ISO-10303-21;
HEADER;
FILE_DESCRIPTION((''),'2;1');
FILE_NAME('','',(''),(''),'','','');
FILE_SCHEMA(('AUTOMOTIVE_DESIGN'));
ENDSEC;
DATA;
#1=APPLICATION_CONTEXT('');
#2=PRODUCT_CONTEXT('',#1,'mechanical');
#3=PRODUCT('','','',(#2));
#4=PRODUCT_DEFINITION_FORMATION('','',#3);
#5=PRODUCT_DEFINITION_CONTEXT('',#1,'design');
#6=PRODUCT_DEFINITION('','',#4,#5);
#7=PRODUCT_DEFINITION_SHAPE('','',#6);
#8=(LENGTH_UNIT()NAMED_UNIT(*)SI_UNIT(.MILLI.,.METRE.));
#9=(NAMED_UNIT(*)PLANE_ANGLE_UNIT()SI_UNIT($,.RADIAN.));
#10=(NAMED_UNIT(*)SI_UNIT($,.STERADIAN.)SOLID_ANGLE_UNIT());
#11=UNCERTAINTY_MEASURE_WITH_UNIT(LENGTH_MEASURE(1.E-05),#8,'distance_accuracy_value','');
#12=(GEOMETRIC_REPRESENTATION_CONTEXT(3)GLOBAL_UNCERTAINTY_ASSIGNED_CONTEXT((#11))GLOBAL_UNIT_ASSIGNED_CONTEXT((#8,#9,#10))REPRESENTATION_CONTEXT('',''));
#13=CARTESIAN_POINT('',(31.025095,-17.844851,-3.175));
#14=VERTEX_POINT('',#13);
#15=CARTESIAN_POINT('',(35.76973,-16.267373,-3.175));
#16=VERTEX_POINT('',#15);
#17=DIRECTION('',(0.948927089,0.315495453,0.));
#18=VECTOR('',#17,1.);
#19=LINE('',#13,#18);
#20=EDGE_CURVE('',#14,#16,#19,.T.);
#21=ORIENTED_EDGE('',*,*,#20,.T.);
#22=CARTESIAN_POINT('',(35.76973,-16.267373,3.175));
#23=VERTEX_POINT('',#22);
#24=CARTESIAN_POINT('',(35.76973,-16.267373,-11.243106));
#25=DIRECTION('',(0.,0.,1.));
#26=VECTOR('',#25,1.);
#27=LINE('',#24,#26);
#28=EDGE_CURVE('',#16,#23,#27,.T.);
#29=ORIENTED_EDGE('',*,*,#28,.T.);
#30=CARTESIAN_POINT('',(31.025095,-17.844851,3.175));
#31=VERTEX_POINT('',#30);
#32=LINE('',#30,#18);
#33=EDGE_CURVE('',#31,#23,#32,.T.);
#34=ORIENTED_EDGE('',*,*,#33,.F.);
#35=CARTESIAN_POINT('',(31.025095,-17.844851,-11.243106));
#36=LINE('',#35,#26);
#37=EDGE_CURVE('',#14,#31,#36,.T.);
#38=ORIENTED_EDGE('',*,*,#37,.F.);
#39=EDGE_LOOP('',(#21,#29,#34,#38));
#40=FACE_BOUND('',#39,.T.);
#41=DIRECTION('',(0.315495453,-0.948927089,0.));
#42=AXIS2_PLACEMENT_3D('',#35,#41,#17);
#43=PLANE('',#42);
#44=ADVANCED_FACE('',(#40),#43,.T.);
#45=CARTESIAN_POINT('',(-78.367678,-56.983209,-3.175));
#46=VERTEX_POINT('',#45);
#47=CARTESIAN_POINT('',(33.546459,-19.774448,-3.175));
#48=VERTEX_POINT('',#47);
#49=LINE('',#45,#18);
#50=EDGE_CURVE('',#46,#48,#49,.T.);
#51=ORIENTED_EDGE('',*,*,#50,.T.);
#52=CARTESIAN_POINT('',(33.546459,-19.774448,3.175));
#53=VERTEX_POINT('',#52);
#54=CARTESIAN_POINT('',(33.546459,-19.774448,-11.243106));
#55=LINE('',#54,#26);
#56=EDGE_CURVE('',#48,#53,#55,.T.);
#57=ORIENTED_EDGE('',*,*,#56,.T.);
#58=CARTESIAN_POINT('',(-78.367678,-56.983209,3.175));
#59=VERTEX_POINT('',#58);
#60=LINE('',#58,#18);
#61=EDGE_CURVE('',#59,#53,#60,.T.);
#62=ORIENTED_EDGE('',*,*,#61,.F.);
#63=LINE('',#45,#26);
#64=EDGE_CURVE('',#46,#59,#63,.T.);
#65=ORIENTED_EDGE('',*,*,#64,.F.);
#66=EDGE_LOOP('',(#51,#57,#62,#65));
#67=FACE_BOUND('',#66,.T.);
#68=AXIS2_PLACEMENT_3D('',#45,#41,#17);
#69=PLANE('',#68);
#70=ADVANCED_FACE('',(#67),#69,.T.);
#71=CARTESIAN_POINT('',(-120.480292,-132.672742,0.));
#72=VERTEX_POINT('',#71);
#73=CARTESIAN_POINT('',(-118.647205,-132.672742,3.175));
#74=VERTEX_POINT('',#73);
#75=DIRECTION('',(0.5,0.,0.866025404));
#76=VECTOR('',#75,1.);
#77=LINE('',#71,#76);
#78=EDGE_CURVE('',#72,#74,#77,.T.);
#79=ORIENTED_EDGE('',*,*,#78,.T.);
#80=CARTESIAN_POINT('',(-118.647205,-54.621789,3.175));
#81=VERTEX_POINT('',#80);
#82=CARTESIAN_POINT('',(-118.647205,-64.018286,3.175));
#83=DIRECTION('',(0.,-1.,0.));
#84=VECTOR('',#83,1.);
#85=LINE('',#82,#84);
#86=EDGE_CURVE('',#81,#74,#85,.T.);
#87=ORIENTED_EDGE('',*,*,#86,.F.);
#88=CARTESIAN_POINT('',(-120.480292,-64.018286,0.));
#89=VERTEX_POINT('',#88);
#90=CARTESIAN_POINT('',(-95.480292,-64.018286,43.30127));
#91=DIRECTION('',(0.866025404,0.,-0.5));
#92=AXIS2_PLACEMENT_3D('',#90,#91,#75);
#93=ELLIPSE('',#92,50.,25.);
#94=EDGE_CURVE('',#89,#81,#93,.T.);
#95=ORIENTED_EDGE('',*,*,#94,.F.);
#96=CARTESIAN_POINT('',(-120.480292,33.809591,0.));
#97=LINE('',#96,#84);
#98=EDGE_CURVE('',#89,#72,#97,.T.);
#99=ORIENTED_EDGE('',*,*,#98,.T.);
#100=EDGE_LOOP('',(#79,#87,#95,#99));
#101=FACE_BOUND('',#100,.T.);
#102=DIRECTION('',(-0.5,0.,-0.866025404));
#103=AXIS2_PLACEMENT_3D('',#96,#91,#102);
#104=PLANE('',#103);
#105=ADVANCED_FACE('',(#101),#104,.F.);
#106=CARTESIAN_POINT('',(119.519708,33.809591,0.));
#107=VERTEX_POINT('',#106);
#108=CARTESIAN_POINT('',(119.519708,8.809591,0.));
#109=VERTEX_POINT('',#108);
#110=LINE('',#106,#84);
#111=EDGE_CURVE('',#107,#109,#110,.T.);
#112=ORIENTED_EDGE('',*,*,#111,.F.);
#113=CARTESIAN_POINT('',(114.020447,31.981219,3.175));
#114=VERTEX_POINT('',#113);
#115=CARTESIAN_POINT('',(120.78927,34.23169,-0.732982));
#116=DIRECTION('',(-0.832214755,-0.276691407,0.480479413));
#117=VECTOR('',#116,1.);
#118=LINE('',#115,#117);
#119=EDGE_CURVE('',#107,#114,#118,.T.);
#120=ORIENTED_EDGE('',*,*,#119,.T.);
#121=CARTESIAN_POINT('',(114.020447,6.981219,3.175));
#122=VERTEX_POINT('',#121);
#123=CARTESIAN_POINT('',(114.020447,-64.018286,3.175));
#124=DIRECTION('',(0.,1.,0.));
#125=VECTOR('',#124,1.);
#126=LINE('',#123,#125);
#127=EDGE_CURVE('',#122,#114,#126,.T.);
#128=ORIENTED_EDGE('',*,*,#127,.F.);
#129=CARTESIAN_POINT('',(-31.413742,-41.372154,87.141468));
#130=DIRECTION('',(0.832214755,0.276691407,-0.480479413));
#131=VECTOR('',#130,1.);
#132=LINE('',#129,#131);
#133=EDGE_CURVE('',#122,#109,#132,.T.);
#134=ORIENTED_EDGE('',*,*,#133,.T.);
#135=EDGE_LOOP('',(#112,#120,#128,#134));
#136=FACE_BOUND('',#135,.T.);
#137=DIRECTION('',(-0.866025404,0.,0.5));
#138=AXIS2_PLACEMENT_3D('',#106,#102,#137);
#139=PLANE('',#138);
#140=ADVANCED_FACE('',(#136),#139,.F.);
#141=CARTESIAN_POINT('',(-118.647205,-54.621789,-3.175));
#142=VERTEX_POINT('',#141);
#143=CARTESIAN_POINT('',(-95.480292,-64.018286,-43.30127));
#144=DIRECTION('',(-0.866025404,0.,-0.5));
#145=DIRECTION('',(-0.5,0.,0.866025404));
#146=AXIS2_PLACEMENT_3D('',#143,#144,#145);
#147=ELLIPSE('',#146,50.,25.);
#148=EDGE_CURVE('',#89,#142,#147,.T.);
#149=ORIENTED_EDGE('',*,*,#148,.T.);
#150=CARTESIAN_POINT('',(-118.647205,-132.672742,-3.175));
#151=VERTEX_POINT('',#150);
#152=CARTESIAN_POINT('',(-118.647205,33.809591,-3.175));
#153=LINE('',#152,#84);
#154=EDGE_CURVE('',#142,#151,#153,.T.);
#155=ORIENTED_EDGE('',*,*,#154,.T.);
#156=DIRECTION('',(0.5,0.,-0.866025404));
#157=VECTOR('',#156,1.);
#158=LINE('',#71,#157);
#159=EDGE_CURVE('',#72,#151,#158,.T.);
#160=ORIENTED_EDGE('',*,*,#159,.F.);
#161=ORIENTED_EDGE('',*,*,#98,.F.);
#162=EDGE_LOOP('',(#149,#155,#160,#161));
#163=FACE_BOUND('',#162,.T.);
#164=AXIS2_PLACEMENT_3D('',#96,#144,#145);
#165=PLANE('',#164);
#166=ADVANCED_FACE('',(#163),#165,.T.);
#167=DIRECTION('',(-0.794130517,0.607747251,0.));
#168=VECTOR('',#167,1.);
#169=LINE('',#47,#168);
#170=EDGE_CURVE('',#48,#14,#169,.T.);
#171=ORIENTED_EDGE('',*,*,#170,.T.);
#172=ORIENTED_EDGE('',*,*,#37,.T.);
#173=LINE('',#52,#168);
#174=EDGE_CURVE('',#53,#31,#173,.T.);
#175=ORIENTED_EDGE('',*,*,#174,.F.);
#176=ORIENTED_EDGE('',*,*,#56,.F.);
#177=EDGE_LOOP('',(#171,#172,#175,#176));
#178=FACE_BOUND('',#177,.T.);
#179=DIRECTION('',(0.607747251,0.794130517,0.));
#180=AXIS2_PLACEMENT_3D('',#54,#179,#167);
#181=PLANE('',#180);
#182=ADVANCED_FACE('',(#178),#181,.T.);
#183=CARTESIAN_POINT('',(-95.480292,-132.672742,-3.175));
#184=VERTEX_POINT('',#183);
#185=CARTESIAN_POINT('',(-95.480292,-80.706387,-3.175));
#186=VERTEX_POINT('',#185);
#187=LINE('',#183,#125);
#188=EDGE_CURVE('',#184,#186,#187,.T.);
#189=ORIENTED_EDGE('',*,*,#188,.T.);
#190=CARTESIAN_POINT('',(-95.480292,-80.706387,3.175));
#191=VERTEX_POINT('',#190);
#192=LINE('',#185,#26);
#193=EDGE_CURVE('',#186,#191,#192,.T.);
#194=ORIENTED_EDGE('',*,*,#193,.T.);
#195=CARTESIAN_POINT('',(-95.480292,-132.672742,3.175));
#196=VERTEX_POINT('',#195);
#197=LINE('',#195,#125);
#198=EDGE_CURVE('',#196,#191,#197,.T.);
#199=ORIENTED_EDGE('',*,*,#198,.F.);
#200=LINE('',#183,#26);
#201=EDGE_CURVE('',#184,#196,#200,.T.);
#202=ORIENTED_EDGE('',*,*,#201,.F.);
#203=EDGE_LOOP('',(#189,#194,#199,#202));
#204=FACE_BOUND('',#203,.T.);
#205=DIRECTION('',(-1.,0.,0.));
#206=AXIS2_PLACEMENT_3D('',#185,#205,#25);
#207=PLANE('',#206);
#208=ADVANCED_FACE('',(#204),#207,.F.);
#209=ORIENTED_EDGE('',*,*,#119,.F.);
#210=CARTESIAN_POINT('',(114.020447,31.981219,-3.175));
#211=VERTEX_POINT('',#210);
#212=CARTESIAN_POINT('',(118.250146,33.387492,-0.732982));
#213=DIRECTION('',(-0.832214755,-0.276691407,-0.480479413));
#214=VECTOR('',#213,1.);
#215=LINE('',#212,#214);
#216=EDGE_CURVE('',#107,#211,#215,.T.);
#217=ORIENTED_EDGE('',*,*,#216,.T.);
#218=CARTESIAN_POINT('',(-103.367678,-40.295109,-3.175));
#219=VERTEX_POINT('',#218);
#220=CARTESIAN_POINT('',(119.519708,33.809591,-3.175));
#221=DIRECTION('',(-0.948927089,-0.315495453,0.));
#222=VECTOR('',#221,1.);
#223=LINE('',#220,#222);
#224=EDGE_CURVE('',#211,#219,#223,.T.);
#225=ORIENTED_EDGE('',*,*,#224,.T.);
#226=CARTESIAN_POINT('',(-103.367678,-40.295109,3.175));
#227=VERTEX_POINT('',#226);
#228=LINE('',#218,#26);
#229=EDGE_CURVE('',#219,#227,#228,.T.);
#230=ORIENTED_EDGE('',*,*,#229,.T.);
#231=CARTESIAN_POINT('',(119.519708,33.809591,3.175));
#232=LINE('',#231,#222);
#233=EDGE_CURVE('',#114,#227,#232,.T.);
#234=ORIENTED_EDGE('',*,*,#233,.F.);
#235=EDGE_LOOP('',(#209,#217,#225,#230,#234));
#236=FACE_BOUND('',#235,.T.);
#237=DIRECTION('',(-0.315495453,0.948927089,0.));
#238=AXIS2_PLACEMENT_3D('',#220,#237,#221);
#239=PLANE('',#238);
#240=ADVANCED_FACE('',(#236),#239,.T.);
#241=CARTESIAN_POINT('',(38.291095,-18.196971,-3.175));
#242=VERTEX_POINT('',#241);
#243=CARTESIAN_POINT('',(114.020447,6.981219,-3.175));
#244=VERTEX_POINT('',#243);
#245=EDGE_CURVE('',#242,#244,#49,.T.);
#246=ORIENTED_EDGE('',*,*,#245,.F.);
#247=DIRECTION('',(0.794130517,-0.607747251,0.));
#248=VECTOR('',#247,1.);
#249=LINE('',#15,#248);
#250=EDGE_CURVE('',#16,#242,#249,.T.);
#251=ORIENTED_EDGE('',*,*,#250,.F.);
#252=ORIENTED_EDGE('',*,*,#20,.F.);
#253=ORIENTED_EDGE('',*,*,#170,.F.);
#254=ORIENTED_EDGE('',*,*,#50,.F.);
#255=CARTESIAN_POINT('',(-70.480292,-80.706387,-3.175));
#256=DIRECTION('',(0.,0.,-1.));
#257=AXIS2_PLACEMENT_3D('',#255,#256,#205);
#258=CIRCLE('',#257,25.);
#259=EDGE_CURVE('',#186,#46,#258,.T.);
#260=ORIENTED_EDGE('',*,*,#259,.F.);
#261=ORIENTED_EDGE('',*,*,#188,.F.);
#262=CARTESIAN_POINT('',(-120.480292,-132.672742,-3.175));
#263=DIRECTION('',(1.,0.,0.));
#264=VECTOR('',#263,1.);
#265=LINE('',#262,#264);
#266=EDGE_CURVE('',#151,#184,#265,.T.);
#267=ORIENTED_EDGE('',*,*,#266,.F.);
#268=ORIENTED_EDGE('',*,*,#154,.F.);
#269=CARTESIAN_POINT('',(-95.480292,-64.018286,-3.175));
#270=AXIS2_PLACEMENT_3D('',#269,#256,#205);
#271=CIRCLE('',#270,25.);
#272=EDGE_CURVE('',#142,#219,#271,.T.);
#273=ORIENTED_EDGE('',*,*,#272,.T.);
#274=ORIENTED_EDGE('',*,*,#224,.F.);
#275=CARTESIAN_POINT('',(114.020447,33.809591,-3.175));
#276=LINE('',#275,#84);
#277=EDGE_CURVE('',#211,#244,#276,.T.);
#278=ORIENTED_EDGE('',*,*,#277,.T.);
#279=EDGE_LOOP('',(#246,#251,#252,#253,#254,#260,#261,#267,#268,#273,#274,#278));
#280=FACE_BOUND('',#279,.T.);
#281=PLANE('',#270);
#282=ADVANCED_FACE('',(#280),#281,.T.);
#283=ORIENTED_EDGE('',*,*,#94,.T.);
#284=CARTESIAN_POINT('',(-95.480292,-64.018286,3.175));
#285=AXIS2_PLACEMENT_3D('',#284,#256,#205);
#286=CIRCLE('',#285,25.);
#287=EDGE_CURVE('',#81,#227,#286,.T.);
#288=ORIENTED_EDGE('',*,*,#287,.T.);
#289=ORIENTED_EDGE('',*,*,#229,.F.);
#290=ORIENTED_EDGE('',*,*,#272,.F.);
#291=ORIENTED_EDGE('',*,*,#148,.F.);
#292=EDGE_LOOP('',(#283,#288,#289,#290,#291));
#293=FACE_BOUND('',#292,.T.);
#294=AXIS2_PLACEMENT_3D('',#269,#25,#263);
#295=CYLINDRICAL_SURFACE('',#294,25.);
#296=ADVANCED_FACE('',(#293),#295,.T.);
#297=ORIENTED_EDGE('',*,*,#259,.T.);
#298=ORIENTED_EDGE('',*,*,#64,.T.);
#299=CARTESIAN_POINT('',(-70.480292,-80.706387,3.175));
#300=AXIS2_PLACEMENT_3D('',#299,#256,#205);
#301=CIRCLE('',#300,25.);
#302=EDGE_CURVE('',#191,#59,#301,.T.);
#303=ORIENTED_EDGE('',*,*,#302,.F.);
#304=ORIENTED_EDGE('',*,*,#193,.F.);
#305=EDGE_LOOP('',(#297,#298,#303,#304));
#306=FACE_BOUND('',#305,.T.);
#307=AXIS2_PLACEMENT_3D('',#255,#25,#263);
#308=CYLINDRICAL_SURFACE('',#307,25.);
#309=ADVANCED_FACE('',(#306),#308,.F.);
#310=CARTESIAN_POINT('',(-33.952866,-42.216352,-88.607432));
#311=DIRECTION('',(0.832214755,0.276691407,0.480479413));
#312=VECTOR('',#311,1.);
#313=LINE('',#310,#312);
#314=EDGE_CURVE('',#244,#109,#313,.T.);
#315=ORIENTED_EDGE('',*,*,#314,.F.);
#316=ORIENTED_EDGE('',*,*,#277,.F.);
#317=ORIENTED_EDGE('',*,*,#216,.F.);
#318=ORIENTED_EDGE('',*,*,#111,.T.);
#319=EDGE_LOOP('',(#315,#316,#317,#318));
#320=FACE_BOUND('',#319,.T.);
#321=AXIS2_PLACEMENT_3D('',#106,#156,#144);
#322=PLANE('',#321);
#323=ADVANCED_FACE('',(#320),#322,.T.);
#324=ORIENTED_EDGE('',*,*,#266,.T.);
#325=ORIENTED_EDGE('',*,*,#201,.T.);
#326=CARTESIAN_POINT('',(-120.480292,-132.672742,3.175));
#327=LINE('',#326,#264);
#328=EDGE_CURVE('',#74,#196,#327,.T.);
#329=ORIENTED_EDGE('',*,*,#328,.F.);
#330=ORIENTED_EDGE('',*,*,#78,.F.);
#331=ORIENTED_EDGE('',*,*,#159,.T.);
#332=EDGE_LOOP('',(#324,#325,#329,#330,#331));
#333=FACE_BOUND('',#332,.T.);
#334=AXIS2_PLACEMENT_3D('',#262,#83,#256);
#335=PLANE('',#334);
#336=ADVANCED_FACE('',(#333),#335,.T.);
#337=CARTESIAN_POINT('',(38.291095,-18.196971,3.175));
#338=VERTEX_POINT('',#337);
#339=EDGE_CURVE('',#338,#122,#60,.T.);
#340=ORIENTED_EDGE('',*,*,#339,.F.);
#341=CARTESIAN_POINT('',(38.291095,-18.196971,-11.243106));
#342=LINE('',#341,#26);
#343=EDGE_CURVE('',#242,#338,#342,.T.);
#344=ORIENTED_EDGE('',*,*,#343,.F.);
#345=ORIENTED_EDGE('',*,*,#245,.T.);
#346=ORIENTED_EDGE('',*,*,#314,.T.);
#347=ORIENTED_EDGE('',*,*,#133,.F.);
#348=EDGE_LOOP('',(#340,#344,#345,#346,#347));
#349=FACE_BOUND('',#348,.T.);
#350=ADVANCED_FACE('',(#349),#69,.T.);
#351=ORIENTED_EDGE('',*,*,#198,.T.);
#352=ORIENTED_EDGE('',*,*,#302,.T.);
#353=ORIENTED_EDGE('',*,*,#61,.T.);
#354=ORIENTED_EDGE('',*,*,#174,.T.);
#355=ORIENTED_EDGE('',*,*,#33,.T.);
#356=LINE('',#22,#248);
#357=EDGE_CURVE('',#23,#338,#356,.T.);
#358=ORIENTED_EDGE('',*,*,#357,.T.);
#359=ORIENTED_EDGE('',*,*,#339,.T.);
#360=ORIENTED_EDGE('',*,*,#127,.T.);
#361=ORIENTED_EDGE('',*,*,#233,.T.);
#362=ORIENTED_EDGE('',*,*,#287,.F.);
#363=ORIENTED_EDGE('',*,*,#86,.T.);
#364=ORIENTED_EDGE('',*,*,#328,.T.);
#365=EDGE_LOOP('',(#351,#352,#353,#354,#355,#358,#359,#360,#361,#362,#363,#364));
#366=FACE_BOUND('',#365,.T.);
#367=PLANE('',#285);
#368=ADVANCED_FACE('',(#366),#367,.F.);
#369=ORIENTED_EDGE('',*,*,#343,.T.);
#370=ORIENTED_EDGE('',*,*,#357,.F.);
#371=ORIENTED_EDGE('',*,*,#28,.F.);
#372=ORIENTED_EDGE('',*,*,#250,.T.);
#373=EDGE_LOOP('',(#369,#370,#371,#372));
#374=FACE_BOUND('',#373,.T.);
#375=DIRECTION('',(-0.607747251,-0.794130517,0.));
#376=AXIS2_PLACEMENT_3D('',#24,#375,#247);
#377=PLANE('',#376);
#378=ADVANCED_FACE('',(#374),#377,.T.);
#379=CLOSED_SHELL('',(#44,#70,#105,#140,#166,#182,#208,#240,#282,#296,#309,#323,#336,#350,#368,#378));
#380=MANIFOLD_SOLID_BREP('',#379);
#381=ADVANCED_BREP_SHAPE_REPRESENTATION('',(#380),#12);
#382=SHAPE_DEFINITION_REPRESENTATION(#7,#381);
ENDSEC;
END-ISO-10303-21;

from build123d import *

# Parameters (mm, degrees)
BOSS_EXTRUDE1_DEPTH      = 3.175
BOSS_EXTRUDE1_DEPTH_BACK = 3.175
CUT_EXTRUDE3_DEPTH       = 206.528461822
CUT_EXTRUDE5_DEPTH       = 206.528461822
CUT_EXTRUDE6_DEPTH       = 6.35


with BuildPart() as part:
    # Sketch1 → Boss-Extrude1 (new, two sides: drawn at the far end of the back side and taken through both)
    with BuildSketch(Plane.XY.offset(-BOSS_EXTRUDE1_DEPTH_BACK)):
        with BuildLine():
            Line((-95.480291898, -80.706386575), (-95.480291898, -131.085242165))
            Line((-95.480291898, -131.085242165), (-95.480291898, -132.672742165))
            Line((-95.480291898, -132.672742165), (-120.480291898, -132.672742165))
            Line((-120.480291898, -132.672742165), (-120.480291898, -131.085242165))
            Line((-120.480291898, -131.085242165), (-120.480291898, -64.018285781))
            ThreePointArc((-120.480291898, -64.018285781), (-115.755703828, -49.392703021), (-103.367678212, -40.295108567))
            Line((-103.367678212, -40.295108567), (119.519708102, 33.809591006))
            Line((119.519708102, 33.809591006), (119.519708102, 8.809591006))
            Line((119.519708102, 8.809591006), (-78.367678212, -56.983209361))
            ThreePointArc((-78.367678212, -56.983209361), (-90.755703828, -66.080803815), (-95.480291898, -80.706386575))
        make_face()
    extrude(amount=BOSS_EXTRUDE1_DEPTH + BOSS_EXTRUDE1_DEPTH_BACK)

    # Sketch2 → Cut-Extrude3 (cut, through all)
    with BuildSketch(Plane.XZ.offset(132.672742165)):
        Polygon((-120.480291898, 0), (-120.480291898, 3.175), (-118.647204793, 3.175), align=None)
    cut_extrude3 = extrude(amount=-CUT_EXTRUDE3_DEPTH, mode=Mode.SUBTRACT)

    # Mirror3: Cut-Extrude3 across plane
    add(cut_extrude3.mirror(Plane.XY), mode=Mode.SUBTRACT)

    # Sketch3 → Cut-Extrude5 (cut, through all)
    with BuildSketch(Plane.XZ.offset(132.672742165)):
        Polygon((119.519708102, 3.175), (114.020446788, 3.175), (119.519708102, 0), align=None)
    cut_extrude5 = extrude(amount=-CUT_EXTRUDE5_DEPTH, mode=Mode.SUBTRACT)

    # Mirror4: Cut-Extrude5 across plane
    add(cut_extrude5.mirror(Plane.XY), mode=Mode.SUBTRACT)

    # Sketch6 → Cut-Extrude6 (cut)
    with BuildSketch(Plane.XY.offset(3.175)):
        Polygon((33.546459297, -19.774448133), (38.29109474, -18.19697087), (35.769730347, -16.267373348), (31.025094904, -17.844850611), align=None)
    extrude(amount=-CUT_EXTRUDE6_DEPTH, mode=Mode.SUBTRACT)


solid = part.part
